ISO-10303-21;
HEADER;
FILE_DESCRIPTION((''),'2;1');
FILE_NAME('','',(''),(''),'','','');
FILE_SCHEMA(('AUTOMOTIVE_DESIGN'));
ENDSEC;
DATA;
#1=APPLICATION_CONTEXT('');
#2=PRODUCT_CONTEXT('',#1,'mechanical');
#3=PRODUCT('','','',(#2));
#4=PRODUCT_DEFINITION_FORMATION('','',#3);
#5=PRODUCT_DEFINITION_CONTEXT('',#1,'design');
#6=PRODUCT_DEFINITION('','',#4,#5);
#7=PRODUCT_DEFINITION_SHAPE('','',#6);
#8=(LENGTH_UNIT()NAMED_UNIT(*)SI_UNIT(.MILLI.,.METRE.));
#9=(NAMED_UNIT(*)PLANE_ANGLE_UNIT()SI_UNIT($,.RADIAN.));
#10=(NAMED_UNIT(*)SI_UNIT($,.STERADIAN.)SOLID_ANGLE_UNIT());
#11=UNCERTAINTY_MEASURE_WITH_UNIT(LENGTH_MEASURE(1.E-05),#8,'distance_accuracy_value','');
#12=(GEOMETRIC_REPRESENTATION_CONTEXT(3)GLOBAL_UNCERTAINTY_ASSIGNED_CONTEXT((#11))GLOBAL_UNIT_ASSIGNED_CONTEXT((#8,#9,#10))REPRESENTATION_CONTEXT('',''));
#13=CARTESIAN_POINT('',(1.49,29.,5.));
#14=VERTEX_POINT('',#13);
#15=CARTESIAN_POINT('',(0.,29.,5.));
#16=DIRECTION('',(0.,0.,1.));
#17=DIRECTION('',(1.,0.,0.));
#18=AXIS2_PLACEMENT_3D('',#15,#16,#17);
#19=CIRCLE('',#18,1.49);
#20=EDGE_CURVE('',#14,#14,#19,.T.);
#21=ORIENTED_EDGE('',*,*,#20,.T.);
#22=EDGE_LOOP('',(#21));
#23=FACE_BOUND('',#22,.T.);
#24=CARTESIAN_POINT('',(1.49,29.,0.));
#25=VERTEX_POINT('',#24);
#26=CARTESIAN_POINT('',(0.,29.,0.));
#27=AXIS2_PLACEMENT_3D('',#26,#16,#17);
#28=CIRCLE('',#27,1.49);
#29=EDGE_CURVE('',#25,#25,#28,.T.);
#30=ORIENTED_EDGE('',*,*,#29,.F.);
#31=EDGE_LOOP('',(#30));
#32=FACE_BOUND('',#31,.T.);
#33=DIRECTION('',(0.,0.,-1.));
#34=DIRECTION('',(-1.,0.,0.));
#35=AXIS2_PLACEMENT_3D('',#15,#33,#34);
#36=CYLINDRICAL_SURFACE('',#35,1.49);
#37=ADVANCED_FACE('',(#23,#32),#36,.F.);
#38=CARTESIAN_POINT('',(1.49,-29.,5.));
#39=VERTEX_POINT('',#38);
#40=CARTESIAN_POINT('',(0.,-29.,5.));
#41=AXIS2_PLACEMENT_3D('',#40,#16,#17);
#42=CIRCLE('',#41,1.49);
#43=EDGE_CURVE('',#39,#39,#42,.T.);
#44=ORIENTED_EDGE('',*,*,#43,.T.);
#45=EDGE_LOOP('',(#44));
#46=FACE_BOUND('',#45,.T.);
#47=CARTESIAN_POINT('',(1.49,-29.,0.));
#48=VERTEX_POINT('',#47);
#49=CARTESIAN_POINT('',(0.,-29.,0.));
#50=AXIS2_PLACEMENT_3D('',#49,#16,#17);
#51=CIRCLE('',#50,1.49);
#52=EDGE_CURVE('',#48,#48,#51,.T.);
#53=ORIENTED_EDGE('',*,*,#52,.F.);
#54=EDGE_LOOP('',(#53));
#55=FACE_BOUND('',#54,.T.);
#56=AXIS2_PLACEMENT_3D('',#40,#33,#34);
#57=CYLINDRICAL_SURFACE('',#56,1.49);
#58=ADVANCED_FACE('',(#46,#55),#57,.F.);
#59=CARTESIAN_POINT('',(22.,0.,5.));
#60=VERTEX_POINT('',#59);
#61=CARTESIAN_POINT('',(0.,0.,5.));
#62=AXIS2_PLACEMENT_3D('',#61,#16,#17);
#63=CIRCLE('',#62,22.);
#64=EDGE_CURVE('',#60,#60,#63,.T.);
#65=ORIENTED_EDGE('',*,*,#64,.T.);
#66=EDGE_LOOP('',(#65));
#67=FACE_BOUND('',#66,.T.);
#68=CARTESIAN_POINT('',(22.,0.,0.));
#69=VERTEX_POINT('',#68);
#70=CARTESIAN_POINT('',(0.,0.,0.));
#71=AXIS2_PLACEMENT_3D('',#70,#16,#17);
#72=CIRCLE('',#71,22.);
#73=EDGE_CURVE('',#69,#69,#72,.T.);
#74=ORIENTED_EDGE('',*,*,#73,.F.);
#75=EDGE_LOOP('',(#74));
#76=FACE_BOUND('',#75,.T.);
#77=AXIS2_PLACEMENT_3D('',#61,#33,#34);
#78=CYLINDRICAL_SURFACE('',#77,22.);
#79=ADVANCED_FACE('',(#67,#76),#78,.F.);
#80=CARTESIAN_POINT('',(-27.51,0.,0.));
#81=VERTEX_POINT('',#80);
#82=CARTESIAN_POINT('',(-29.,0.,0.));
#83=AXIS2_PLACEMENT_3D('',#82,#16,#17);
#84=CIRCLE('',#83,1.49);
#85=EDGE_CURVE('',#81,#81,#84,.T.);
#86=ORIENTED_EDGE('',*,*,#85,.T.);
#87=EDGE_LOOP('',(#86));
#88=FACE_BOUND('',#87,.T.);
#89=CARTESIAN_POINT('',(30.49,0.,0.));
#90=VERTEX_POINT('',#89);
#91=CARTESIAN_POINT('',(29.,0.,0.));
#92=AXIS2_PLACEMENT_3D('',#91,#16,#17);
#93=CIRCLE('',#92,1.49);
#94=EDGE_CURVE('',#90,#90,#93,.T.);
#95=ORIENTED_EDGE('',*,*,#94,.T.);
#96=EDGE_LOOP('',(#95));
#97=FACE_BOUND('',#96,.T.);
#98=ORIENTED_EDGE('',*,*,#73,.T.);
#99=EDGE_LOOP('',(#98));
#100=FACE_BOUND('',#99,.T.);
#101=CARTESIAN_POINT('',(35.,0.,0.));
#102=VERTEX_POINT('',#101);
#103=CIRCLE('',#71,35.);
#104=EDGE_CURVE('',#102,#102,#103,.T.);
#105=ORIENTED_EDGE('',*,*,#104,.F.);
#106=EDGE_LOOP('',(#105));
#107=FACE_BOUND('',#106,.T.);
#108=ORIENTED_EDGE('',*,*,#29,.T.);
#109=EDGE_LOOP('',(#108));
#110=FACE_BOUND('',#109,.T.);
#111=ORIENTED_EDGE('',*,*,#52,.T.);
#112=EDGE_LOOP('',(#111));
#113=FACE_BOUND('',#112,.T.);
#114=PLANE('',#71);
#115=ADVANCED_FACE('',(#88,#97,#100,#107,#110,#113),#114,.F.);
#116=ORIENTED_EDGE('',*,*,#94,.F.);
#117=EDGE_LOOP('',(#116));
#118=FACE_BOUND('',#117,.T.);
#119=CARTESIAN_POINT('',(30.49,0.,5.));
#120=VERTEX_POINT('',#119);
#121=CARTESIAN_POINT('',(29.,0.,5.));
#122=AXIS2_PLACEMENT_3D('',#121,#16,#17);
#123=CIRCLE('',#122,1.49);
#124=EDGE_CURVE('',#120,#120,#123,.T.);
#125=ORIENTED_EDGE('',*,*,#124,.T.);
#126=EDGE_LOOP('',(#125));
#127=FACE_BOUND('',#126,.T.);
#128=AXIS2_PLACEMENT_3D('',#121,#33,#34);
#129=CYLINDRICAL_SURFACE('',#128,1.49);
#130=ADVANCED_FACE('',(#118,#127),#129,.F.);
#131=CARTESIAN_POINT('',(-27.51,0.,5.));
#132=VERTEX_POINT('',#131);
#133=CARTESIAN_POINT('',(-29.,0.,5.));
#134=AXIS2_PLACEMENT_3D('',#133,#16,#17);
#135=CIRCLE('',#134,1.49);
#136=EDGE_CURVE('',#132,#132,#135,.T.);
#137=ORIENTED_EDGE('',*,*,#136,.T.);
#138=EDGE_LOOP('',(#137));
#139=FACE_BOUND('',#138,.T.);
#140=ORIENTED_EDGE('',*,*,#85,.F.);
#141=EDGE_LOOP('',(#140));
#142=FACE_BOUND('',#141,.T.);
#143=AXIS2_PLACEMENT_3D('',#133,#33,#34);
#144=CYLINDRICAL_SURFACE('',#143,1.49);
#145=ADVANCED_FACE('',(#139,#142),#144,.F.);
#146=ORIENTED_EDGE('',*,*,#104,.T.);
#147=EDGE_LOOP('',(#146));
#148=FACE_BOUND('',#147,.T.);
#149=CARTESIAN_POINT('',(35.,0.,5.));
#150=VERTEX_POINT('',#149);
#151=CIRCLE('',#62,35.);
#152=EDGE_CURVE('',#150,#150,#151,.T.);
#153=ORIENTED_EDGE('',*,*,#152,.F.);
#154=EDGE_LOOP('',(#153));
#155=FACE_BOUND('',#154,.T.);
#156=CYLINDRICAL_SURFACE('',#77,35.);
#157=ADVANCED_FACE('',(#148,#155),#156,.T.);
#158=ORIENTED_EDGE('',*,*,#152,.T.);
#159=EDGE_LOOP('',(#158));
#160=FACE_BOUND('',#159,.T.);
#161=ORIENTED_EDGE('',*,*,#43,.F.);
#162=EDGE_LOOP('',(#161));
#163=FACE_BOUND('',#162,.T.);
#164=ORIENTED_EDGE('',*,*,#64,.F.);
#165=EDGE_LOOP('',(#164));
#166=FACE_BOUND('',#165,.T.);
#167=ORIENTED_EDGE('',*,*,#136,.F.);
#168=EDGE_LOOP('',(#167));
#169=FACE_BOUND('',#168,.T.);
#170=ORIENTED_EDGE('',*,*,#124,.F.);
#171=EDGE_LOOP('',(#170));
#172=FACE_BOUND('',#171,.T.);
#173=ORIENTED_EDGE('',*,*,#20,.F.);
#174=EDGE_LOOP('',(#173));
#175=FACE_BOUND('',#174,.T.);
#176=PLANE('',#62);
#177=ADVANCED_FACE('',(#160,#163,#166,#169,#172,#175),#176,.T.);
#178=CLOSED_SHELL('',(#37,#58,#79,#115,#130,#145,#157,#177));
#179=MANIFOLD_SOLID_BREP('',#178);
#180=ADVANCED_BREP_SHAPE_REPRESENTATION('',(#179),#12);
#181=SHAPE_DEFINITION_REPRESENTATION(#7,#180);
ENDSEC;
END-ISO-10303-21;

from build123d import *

# Parameters (mm, degrees)
SKETCH1_R           = 35
SKETCH1_R_2         = 22
SKETCH1_R_3         = 1.49
BOSS_EXTRUDE1_DEPTH = 5


with BuildPart() as part:
    # Sketch1 → Boss-Extrude1 (new body)
    with BuildSketch(Plane.XY):
        Circle(SKETCH1_R)
        Circle(SKETCH1_R_2, mode=Mode.SUBTRACT)
        with Locations((29, 0)):
            Circle(SKETCH1_R_3, mode=Mode.SUBTRACT)
        with Locations((0, 29)):
            Circle(SKETCH1_R_3, mode=Mode.SUBTRACT)
        with Locations((-29, 0)):
            Circle(SKETCH1_R_3, mode=Mode.SUBTRACT)
        with Locations((0, -29)):
            Circle(SKETCH1_R_3, mode=Mode.SUBTRACT)
    extrude(amount=BOSS_EXTRUDE1_DEPTH)


solid = part.part
